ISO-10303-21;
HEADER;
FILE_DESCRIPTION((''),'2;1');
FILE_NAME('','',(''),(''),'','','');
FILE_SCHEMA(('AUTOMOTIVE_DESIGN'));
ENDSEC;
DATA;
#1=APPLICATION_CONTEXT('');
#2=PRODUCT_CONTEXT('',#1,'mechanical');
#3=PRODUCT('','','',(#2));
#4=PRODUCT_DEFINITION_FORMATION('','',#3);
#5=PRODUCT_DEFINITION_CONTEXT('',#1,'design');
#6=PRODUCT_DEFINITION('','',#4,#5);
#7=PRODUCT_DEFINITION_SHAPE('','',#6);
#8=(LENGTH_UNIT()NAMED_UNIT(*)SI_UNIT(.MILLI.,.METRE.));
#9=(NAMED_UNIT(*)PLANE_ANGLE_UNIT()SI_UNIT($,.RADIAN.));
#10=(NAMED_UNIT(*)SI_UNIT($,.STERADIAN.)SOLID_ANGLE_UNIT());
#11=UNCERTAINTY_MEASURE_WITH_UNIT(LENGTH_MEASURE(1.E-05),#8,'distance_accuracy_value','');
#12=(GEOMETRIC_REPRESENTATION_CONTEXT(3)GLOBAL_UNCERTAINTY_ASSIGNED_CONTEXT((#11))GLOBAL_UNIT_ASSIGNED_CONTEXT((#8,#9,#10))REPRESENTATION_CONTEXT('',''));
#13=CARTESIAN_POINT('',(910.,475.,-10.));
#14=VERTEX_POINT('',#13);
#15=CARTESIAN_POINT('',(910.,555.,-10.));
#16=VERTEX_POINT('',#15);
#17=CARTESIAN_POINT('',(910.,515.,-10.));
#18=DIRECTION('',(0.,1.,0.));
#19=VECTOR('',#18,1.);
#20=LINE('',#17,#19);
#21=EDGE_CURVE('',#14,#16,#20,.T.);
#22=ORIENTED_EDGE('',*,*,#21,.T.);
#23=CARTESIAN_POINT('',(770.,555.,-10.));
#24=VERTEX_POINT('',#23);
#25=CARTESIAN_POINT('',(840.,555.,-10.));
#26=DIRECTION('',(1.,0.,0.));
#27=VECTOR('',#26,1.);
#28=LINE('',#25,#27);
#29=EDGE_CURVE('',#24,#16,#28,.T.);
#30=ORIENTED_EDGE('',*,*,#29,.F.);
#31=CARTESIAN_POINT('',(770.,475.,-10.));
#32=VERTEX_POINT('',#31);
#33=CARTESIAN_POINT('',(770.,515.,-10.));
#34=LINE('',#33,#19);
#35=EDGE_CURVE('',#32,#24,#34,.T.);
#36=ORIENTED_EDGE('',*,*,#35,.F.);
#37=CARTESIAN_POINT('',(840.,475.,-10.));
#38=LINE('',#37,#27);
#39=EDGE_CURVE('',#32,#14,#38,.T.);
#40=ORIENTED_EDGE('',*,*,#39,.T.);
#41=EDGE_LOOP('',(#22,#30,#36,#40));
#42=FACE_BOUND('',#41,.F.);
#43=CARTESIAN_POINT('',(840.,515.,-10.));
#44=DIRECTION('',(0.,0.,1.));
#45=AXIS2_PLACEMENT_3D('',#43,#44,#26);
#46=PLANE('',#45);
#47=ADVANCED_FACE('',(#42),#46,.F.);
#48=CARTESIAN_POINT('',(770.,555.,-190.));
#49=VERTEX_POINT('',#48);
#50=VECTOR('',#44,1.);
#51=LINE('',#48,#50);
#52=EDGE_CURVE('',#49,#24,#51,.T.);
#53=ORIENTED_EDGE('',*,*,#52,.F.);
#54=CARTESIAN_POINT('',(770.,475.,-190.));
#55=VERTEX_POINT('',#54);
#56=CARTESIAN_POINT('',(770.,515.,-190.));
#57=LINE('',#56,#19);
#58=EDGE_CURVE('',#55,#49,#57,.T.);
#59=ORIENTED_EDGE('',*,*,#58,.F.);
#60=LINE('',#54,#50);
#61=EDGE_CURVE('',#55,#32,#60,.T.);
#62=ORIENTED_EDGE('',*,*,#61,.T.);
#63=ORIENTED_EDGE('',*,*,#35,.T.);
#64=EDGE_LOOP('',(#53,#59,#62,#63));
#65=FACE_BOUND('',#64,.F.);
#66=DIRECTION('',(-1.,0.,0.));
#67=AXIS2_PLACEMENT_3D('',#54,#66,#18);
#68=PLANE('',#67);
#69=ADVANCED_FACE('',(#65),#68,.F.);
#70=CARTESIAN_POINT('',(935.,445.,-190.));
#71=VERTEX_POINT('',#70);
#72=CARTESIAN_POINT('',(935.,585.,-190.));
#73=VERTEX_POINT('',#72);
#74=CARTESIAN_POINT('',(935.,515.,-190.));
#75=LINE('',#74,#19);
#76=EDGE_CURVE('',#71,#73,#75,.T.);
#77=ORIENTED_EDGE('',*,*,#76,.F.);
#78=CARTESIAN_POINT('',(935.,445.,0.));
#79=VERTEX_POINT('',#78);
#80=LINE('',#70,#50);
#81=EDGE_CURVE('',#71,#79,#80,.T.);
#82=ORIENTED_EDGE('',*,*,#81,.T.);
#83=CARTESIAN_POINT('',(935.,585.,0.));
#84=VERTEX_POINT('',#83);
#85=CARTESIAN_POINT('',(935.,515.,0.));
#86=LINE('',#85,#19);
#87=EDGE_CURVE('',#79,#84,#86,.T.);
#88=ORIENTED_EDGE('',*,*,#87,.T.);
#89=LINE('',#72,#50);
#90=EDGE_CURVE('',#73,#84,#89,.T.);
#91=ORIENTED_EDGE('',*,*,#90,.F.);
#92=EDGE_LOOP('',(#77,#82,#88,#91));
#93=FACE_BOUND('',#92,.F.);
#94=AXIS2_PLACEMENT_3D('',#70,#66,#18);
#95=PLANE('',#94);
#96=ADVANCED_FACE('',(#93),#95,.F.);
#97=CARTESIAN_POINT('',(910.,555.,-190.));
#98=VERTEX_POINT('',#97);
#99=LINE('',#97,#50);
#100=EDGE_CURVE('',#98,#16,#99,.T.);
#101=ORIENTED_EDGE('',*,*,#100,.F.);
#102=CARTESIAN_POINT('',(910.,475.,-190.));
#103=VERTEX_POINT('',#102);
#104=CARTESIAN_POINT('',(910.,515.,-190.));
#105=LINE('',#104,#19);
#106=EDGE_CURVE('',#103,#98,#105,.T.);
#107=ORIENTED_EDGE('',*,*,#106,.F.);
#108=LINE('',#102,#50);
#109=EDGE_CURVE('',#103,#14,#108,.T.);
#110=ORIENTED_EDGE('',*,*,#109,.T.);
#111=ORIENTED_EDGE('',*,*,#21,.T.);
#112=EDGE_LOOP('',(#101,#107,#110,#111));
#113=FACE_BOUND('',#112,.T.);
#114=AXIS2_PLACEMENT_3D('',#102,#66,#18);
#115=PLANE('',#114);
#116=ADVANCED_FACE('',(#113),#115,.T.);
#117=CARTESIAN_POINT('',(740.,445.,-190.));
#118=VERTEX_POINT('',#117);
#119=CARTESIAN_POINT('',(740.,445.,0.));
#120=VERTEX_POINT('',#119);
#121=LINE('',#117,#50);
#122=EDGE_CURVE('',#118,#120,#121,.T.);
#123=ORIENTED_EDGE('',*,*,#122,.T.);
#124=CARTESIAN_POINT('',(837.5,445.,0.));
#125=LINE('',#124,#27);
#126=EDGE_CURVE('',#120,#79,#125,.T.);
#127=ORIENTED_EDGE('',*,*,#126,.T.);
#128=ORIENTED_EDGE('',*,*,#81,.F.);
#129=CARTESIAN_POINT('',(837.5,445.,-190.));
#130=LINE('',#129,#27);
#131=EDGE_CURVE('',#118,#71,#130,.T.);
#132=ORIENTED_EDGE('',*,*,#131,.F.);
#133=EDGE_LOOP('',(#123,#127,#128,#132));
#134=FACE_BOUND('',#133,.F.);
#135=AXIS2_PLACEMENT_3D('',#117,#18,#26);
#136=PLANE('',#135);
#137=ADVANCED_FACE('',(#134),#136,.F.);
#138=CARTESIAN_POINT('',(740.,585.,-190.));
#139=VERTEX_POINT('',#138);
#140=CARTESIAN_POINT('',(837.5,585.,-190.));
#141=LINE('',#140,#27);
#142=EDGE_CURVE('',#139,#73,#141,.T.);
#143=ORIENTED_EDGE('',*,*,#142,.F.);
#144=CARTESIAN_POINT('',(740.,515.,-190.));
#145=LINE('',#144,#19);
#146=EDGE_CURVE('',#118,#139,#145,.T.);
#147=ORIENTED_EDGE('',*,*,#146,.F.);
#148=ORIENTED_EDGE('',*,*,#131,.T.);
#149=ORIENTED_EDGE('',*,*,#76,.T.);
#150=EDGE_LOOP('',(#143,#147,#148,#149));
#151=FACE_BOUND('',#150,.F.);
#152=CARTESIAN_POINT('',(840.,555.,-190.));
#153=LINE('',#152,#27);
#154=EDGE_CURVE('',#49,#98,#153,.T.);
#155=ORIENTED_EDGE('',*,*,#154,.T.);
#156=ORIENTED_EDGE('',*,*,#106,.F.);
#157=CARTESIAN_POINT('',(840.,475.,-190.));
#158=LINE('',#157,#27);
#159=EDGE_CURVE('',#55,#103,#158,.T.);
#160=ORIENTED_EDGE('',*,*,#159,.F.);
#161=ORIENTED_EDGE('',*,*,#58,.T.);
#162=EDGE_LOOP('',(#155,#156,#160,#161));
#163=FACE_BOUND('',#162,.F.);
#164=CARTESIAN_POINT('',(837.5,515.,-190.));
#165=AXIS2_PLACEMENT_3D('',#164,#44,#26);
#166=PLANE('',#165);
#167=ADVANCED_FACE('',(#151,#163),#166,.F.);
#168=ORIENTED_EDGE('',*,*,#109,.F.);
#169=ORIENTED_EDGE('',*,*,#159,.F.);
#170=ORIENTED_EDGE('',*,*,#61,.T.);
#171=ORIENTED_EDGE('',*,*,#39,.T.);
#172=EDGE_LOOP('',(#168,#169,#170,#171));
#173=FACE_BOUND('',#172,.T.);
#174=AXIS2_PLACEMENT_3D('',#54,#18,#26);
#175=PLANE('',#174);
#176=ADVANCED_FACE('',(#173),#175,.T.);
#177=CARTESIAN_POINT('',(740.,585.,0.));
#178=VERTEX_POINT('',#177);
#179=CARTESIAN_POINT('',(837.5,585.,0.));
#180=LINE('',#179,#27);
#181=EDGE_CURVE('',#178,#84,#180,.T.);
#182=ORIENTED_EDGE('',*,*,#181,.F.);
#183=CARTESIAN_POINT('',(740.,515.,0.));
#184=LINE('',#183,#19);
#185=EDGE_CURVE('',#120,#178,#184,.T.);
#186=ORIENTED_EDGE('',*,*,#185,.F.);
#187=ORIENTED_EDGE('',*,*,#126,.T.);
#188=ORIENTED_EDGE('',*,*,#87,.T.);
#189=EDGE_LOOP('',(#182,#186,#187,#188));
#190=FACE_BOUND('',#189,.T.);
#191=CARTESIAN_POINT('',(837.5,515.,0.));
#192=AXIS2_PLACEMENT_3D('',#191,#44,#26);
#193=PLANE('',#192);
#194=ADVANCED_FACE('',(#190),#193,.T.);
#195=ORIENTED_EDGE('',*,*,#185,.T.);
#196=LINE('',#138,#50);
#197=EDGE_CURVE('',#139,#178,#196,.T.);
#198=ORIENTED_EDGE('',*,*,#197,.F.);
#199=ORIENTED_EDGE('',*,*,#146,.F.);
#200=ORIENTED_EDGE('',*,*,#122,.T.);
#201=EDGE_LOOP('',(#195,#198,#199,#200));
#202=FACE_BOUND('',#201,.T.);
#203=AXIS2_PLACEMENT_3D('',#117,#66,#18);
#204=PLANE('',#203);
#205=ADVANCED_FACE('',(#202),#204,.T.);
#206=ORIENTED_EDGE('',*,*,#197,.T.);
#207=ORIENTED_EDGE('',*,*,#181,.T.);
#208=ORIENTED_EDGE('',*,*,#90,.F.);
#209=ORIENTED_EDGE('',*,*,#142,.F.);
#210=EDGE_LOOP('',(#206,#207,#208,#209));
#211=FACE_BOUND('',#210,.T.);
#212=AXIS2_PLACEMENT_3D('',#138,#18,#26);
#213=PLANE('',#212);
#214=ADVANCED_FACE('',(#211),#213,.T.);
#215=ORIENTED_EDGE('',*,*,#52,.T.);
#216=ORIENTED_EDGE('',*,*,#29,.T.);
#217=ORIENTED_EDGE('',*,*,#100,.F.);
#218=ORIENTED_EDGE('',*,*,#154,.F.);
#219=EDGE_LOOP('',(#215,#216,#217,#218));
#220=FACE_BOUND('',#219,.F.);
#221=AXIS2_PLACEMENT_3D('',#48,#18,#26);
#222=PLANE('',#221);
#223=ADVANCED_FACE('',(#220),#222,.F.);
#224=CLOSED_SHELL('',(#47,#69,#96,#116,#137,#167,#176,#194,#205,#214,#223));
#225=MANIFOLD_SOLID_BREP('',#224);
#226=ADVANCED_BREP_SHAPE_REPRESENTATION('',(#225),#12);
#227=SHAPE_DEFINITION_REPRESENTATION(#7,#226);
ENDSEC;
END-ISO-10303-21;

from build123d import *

# Parameters (mm, degrees)
BOX124_W     = 140
BOX124_H     = 80
BOX124_DEPTH = 190
BOX123_W     = 140
BOX123_H     = 80
BOX123_DEPTH = 180
BOX122_W     = 195
BOX122_H     = 140
BOX122_DEPTH = 190


with BuildPart() as cube096:
    # Box124 → Box124 (new body)
    with BuildSketch(Plane(origin=(220, 30, 0), x_dir=(1, 0, 0), z_dir=(0, 0, 1))):
        with Locations((70, 40)):
            Rectangle(BOX124_W, BOX124_H)
    extrude(amount=BOX124_DEPTH)


with BuildPart() as fusion024:
    # Box123 → Box123 (new body)
    with BuildSketch(Plane(origin=(30, 30, 0), x_dir=(1, 0, 0), z_dir=(0, 0, 1))):
        with Locations((70, 40)):
            Rectangle(BOX123_W, BOX123_H)
    extrude(amount=BOX123_DEPTH)

    # Fusion024: union Cube096
    add(cube096.part)


with BuildPart() as halve_snelbouwsteen002:
    # Box122 → Box122 (new body)
    with BuildSketch(Plane.XY):
        with Locations((97.5, 70)):
            Rectangle(BOX122_W, BOX122_H)
    extrude(amount=BOX122_DEPTH)

    # Cut019: cut Fusion024
    add(fusion024.part, mode=Mode.SUBTRACT)


with BuildPart() as halve_snelbouwsteen002_1:
    # Cut019 placement: moved
    add(halve_snelbouwsteen002.part.moved(Location((740, 445, -190))))


solid = halve_snelbouwsteen002_1.part
